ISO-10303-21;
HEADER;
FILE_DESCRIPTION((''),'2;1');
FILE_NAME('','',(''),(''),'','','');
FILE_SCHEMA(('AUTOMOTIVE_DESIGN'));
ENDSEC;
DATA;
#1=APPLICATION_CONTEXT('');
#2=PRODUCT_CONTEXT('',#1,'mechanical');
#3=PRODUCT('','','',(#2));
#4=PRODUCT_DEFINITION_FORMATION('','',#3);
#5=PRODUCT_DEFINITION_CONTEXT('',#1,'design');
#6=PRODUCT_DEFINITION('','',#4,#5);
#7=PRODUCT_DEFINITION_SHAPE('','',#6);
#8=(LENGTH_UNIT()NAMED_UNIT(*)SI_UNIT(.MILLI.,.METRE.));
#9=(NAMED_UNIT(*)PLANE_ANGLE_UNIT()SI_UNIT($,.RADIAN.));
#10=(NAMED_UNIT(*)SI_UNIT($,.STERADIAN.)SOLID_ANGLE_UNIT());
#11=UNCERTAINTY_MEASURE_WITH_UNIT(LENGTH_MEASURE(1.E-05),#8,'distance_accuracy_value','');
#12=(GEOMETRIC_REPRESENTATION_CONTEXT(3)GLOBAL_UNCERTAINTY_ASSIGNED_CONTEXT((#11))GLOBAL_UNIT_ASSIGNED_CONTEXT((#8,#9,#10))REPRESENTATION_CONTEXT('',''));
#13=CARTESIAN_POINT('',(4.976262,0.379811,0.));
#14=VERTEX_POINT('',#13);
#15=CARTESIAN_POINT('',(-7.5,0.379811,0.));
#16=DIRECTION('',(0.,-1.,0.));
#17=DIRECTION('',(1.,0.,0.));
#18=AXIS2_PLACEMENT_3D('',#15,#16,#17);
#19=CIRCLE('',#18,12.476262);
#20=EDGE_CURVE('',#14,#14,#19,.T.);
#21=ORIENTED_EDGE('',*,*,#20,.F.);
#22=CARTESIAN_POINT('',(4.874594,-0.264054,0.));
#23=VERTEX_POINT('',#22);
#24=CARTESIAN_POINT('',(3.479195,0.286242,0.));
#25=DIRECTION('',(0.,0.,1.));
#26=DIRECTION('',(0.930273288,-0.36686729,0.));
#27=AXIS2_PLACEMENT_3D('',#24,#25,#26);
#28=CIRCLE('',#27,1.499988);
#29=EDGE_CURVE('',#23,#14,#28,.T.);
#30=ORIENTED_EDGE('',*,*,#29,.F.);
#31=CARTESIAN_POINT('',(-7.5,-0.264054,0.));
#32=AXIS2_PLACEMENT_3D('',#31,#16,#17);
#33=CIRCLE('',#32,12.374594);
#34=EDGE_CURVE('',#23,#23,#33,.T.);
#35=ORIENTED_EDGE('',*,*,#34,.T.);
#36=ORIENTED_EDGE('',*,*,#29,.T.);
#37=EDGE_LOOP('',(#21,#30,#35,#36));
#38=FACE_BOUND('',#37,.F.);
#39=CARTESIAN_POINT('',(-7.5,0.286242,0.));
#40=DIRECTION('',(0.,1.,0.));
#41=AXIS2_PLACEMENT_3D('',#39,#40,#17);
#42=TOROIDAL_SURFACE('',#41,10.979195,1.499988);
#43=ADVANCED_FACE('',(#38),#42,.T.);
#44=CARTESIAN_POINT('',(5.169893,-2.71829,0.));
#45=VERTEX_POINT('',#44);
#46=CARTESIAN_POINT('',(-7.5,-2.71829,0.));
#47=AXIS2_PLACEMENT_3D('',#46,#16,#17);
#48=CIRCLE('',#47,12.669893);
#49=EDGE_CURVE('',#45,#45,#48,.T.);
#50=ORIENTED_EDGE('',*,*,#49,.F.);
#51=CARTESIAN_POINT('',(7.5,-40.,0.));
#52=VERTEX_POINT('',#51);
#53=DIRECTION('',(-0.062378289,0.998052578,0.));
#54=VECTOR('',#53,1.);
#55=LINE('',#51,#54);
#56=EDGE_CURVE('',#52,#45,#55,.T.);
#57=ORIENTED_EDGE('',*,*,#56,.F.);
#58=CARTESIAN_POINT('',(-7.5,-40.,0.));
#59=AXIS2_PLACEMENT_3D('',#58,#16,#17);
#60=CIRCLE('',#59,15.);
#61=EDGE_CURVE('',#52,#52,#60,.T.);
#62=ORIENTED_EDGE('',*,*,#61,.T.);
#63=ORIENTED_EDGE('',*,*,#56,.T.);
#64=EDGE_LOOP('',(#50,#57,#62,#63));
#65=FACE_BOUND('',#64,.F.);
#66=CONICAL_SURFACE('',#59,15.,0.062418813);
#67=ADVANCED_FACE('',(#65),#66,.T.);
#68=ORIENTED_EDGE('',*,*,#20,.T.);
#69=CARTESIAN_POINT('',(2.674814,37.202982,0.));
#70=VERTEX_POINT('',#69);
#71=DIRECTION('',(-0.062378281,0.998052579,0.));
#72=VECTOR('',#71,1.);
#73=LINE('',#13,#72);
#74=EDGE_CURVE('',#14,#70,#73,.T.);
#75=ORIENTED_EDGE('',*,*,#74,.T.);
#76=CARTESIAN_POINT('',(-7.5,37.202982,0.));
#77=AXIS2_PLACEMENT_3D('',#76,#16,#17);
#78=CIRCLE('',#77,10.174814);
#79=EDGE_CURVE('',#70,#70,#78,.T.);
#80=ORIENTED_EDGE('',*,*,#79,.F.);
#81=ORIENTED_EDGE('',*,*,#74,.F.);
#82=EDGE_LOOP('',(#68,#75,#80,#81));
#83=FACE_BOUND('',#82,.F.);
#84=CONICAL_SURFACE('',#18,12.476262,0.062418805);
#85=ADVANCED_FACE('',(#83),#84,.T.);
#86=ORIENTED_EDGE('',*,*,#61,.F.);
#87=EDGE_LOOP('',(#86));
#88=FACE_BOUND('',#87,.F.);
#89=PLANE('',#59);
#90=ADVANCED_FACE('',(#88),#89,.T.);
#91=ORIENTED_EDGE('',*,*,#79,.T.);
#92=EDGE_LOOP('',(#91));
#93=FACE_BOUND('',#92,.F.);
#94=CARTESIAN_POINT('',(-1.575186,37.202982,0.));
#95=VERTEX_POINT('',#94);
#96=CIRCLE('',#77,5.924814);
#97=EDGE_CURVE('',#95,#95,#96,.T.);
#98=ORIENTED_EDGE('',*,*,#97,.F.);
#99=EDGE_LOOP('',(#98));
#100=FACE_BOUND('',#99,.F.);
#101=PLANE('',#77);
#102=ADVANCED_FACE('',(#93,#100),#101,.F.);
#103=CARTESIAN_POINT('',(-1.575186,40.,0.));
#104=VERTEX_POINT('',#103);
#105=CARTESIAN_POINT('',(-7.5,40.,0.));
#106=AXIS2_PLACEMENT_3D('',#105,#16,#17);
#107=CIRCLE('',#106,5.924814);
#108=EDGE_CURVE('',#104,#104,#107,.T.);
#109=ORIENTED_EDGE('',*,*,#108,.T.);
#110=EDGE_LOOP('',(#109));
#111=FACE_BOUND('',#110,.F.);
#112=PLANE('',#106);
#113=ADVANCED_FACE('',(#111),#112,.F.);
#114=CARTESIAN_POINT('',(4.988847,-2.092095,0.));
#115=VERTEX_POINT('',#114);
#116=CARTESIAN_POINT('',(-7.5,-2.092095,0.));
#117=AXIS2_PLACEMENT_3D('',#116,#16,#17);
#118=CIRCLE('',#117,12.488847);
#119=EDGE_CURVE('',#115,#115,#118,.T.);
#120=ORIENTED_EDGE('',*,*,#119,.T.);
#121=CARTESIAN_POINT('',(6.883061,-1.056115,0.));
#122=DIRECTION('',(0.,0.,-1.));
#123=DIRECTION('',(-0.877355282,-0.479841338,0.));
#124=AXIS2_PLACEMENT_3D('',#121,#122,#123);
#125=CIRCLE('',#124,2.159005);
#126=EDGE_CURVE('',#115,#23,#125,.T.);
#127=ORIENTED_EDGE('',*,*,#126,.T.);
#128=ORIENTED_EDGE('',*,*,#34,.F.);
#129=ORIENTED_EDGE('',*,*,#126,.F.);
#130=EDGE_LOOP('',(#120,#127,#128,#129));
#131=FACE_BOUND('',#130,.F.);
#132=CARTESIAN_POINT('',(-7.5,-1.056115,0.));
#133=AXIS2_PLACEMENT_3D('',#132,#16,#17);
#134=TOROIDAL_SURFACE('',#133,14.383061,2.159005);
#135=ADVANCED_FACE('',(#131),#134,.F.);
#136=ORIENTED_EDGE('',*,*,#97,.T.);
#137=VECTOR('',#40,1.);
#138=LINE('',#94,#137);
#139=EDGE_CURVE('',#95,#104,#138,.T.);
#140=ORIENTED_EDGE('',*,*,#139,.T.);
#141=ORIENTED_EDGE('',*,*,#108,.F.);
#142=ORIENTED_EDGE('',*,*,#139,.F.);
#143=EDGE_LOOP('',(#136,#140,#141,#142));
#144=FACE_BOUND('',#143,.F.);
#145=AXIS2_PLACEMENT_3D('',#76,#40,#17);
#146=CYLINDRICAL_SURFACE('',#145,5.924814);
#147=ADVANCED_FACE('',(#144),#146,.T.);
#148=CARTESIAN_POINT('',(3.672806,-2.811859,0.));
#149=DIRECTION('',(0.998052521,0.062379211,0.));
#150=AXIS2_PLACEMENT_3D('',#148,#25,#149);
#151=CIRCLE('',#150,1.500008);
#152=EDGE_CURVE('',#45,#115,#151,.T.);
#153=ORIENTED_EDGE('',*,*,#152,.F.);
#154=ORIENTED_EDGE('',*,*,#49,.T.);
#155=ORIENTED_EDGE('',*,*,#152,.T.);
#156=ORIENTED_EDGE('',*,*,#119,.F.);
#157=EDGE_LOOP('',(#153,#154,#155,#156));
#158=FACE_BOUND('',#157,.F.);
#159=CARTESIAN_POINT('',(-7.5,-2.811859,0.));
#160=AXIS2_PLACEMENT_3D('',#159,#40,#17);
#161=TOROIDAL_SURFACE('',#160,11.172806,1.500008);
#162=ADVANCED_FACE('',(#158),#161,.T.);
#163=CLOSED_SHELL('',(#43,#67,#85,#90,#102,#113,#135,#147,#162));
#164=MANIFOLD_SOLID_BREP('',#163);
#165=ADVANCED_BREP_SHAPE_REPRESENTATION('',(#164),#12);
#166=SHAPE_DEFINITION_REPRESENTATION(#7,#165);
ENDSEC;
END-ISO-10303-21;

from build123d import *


with BuildPart() as f1:
    # F0 (on Top) → F1 (revolve)
    with BuildSketch(Plane.XY):
        with BuildLine():
            Line((-1.575186, 37.202982), (-1.575186, 40))
            Line((-1.575186, 40), (-7.5, 40))
            Line((-7.5, 40), (-7.5, -40))
            Line((-7.5, -40), (5.914354, -40))
            Line((5.914354, -40), (7.5, -40))
            Line((7.5, -40), (5.169893, -2.71829))
            ThreePointArc((5.169893, -2.71829), (5.113796, -2.395239), (4.988847, -2.092095))
            ThreePointArc((4.988847, -2.092095), (4.728261, -1.190791), (4.874594, -0.264054))
            ThreePointArc((4.874594, -0.264054), (4.960826, 0.052289), (4.976262, 0.379811))
            Line((4.976262, 0.379811), (2.674814, 37.202982))
            Line((2.674814, 37.202982), (-1.575186, 37.202982))
        make_face()
    revolve(axis=Axis((-7.5, 0, 0), (0, -1, 0)))


solid = f1.part
